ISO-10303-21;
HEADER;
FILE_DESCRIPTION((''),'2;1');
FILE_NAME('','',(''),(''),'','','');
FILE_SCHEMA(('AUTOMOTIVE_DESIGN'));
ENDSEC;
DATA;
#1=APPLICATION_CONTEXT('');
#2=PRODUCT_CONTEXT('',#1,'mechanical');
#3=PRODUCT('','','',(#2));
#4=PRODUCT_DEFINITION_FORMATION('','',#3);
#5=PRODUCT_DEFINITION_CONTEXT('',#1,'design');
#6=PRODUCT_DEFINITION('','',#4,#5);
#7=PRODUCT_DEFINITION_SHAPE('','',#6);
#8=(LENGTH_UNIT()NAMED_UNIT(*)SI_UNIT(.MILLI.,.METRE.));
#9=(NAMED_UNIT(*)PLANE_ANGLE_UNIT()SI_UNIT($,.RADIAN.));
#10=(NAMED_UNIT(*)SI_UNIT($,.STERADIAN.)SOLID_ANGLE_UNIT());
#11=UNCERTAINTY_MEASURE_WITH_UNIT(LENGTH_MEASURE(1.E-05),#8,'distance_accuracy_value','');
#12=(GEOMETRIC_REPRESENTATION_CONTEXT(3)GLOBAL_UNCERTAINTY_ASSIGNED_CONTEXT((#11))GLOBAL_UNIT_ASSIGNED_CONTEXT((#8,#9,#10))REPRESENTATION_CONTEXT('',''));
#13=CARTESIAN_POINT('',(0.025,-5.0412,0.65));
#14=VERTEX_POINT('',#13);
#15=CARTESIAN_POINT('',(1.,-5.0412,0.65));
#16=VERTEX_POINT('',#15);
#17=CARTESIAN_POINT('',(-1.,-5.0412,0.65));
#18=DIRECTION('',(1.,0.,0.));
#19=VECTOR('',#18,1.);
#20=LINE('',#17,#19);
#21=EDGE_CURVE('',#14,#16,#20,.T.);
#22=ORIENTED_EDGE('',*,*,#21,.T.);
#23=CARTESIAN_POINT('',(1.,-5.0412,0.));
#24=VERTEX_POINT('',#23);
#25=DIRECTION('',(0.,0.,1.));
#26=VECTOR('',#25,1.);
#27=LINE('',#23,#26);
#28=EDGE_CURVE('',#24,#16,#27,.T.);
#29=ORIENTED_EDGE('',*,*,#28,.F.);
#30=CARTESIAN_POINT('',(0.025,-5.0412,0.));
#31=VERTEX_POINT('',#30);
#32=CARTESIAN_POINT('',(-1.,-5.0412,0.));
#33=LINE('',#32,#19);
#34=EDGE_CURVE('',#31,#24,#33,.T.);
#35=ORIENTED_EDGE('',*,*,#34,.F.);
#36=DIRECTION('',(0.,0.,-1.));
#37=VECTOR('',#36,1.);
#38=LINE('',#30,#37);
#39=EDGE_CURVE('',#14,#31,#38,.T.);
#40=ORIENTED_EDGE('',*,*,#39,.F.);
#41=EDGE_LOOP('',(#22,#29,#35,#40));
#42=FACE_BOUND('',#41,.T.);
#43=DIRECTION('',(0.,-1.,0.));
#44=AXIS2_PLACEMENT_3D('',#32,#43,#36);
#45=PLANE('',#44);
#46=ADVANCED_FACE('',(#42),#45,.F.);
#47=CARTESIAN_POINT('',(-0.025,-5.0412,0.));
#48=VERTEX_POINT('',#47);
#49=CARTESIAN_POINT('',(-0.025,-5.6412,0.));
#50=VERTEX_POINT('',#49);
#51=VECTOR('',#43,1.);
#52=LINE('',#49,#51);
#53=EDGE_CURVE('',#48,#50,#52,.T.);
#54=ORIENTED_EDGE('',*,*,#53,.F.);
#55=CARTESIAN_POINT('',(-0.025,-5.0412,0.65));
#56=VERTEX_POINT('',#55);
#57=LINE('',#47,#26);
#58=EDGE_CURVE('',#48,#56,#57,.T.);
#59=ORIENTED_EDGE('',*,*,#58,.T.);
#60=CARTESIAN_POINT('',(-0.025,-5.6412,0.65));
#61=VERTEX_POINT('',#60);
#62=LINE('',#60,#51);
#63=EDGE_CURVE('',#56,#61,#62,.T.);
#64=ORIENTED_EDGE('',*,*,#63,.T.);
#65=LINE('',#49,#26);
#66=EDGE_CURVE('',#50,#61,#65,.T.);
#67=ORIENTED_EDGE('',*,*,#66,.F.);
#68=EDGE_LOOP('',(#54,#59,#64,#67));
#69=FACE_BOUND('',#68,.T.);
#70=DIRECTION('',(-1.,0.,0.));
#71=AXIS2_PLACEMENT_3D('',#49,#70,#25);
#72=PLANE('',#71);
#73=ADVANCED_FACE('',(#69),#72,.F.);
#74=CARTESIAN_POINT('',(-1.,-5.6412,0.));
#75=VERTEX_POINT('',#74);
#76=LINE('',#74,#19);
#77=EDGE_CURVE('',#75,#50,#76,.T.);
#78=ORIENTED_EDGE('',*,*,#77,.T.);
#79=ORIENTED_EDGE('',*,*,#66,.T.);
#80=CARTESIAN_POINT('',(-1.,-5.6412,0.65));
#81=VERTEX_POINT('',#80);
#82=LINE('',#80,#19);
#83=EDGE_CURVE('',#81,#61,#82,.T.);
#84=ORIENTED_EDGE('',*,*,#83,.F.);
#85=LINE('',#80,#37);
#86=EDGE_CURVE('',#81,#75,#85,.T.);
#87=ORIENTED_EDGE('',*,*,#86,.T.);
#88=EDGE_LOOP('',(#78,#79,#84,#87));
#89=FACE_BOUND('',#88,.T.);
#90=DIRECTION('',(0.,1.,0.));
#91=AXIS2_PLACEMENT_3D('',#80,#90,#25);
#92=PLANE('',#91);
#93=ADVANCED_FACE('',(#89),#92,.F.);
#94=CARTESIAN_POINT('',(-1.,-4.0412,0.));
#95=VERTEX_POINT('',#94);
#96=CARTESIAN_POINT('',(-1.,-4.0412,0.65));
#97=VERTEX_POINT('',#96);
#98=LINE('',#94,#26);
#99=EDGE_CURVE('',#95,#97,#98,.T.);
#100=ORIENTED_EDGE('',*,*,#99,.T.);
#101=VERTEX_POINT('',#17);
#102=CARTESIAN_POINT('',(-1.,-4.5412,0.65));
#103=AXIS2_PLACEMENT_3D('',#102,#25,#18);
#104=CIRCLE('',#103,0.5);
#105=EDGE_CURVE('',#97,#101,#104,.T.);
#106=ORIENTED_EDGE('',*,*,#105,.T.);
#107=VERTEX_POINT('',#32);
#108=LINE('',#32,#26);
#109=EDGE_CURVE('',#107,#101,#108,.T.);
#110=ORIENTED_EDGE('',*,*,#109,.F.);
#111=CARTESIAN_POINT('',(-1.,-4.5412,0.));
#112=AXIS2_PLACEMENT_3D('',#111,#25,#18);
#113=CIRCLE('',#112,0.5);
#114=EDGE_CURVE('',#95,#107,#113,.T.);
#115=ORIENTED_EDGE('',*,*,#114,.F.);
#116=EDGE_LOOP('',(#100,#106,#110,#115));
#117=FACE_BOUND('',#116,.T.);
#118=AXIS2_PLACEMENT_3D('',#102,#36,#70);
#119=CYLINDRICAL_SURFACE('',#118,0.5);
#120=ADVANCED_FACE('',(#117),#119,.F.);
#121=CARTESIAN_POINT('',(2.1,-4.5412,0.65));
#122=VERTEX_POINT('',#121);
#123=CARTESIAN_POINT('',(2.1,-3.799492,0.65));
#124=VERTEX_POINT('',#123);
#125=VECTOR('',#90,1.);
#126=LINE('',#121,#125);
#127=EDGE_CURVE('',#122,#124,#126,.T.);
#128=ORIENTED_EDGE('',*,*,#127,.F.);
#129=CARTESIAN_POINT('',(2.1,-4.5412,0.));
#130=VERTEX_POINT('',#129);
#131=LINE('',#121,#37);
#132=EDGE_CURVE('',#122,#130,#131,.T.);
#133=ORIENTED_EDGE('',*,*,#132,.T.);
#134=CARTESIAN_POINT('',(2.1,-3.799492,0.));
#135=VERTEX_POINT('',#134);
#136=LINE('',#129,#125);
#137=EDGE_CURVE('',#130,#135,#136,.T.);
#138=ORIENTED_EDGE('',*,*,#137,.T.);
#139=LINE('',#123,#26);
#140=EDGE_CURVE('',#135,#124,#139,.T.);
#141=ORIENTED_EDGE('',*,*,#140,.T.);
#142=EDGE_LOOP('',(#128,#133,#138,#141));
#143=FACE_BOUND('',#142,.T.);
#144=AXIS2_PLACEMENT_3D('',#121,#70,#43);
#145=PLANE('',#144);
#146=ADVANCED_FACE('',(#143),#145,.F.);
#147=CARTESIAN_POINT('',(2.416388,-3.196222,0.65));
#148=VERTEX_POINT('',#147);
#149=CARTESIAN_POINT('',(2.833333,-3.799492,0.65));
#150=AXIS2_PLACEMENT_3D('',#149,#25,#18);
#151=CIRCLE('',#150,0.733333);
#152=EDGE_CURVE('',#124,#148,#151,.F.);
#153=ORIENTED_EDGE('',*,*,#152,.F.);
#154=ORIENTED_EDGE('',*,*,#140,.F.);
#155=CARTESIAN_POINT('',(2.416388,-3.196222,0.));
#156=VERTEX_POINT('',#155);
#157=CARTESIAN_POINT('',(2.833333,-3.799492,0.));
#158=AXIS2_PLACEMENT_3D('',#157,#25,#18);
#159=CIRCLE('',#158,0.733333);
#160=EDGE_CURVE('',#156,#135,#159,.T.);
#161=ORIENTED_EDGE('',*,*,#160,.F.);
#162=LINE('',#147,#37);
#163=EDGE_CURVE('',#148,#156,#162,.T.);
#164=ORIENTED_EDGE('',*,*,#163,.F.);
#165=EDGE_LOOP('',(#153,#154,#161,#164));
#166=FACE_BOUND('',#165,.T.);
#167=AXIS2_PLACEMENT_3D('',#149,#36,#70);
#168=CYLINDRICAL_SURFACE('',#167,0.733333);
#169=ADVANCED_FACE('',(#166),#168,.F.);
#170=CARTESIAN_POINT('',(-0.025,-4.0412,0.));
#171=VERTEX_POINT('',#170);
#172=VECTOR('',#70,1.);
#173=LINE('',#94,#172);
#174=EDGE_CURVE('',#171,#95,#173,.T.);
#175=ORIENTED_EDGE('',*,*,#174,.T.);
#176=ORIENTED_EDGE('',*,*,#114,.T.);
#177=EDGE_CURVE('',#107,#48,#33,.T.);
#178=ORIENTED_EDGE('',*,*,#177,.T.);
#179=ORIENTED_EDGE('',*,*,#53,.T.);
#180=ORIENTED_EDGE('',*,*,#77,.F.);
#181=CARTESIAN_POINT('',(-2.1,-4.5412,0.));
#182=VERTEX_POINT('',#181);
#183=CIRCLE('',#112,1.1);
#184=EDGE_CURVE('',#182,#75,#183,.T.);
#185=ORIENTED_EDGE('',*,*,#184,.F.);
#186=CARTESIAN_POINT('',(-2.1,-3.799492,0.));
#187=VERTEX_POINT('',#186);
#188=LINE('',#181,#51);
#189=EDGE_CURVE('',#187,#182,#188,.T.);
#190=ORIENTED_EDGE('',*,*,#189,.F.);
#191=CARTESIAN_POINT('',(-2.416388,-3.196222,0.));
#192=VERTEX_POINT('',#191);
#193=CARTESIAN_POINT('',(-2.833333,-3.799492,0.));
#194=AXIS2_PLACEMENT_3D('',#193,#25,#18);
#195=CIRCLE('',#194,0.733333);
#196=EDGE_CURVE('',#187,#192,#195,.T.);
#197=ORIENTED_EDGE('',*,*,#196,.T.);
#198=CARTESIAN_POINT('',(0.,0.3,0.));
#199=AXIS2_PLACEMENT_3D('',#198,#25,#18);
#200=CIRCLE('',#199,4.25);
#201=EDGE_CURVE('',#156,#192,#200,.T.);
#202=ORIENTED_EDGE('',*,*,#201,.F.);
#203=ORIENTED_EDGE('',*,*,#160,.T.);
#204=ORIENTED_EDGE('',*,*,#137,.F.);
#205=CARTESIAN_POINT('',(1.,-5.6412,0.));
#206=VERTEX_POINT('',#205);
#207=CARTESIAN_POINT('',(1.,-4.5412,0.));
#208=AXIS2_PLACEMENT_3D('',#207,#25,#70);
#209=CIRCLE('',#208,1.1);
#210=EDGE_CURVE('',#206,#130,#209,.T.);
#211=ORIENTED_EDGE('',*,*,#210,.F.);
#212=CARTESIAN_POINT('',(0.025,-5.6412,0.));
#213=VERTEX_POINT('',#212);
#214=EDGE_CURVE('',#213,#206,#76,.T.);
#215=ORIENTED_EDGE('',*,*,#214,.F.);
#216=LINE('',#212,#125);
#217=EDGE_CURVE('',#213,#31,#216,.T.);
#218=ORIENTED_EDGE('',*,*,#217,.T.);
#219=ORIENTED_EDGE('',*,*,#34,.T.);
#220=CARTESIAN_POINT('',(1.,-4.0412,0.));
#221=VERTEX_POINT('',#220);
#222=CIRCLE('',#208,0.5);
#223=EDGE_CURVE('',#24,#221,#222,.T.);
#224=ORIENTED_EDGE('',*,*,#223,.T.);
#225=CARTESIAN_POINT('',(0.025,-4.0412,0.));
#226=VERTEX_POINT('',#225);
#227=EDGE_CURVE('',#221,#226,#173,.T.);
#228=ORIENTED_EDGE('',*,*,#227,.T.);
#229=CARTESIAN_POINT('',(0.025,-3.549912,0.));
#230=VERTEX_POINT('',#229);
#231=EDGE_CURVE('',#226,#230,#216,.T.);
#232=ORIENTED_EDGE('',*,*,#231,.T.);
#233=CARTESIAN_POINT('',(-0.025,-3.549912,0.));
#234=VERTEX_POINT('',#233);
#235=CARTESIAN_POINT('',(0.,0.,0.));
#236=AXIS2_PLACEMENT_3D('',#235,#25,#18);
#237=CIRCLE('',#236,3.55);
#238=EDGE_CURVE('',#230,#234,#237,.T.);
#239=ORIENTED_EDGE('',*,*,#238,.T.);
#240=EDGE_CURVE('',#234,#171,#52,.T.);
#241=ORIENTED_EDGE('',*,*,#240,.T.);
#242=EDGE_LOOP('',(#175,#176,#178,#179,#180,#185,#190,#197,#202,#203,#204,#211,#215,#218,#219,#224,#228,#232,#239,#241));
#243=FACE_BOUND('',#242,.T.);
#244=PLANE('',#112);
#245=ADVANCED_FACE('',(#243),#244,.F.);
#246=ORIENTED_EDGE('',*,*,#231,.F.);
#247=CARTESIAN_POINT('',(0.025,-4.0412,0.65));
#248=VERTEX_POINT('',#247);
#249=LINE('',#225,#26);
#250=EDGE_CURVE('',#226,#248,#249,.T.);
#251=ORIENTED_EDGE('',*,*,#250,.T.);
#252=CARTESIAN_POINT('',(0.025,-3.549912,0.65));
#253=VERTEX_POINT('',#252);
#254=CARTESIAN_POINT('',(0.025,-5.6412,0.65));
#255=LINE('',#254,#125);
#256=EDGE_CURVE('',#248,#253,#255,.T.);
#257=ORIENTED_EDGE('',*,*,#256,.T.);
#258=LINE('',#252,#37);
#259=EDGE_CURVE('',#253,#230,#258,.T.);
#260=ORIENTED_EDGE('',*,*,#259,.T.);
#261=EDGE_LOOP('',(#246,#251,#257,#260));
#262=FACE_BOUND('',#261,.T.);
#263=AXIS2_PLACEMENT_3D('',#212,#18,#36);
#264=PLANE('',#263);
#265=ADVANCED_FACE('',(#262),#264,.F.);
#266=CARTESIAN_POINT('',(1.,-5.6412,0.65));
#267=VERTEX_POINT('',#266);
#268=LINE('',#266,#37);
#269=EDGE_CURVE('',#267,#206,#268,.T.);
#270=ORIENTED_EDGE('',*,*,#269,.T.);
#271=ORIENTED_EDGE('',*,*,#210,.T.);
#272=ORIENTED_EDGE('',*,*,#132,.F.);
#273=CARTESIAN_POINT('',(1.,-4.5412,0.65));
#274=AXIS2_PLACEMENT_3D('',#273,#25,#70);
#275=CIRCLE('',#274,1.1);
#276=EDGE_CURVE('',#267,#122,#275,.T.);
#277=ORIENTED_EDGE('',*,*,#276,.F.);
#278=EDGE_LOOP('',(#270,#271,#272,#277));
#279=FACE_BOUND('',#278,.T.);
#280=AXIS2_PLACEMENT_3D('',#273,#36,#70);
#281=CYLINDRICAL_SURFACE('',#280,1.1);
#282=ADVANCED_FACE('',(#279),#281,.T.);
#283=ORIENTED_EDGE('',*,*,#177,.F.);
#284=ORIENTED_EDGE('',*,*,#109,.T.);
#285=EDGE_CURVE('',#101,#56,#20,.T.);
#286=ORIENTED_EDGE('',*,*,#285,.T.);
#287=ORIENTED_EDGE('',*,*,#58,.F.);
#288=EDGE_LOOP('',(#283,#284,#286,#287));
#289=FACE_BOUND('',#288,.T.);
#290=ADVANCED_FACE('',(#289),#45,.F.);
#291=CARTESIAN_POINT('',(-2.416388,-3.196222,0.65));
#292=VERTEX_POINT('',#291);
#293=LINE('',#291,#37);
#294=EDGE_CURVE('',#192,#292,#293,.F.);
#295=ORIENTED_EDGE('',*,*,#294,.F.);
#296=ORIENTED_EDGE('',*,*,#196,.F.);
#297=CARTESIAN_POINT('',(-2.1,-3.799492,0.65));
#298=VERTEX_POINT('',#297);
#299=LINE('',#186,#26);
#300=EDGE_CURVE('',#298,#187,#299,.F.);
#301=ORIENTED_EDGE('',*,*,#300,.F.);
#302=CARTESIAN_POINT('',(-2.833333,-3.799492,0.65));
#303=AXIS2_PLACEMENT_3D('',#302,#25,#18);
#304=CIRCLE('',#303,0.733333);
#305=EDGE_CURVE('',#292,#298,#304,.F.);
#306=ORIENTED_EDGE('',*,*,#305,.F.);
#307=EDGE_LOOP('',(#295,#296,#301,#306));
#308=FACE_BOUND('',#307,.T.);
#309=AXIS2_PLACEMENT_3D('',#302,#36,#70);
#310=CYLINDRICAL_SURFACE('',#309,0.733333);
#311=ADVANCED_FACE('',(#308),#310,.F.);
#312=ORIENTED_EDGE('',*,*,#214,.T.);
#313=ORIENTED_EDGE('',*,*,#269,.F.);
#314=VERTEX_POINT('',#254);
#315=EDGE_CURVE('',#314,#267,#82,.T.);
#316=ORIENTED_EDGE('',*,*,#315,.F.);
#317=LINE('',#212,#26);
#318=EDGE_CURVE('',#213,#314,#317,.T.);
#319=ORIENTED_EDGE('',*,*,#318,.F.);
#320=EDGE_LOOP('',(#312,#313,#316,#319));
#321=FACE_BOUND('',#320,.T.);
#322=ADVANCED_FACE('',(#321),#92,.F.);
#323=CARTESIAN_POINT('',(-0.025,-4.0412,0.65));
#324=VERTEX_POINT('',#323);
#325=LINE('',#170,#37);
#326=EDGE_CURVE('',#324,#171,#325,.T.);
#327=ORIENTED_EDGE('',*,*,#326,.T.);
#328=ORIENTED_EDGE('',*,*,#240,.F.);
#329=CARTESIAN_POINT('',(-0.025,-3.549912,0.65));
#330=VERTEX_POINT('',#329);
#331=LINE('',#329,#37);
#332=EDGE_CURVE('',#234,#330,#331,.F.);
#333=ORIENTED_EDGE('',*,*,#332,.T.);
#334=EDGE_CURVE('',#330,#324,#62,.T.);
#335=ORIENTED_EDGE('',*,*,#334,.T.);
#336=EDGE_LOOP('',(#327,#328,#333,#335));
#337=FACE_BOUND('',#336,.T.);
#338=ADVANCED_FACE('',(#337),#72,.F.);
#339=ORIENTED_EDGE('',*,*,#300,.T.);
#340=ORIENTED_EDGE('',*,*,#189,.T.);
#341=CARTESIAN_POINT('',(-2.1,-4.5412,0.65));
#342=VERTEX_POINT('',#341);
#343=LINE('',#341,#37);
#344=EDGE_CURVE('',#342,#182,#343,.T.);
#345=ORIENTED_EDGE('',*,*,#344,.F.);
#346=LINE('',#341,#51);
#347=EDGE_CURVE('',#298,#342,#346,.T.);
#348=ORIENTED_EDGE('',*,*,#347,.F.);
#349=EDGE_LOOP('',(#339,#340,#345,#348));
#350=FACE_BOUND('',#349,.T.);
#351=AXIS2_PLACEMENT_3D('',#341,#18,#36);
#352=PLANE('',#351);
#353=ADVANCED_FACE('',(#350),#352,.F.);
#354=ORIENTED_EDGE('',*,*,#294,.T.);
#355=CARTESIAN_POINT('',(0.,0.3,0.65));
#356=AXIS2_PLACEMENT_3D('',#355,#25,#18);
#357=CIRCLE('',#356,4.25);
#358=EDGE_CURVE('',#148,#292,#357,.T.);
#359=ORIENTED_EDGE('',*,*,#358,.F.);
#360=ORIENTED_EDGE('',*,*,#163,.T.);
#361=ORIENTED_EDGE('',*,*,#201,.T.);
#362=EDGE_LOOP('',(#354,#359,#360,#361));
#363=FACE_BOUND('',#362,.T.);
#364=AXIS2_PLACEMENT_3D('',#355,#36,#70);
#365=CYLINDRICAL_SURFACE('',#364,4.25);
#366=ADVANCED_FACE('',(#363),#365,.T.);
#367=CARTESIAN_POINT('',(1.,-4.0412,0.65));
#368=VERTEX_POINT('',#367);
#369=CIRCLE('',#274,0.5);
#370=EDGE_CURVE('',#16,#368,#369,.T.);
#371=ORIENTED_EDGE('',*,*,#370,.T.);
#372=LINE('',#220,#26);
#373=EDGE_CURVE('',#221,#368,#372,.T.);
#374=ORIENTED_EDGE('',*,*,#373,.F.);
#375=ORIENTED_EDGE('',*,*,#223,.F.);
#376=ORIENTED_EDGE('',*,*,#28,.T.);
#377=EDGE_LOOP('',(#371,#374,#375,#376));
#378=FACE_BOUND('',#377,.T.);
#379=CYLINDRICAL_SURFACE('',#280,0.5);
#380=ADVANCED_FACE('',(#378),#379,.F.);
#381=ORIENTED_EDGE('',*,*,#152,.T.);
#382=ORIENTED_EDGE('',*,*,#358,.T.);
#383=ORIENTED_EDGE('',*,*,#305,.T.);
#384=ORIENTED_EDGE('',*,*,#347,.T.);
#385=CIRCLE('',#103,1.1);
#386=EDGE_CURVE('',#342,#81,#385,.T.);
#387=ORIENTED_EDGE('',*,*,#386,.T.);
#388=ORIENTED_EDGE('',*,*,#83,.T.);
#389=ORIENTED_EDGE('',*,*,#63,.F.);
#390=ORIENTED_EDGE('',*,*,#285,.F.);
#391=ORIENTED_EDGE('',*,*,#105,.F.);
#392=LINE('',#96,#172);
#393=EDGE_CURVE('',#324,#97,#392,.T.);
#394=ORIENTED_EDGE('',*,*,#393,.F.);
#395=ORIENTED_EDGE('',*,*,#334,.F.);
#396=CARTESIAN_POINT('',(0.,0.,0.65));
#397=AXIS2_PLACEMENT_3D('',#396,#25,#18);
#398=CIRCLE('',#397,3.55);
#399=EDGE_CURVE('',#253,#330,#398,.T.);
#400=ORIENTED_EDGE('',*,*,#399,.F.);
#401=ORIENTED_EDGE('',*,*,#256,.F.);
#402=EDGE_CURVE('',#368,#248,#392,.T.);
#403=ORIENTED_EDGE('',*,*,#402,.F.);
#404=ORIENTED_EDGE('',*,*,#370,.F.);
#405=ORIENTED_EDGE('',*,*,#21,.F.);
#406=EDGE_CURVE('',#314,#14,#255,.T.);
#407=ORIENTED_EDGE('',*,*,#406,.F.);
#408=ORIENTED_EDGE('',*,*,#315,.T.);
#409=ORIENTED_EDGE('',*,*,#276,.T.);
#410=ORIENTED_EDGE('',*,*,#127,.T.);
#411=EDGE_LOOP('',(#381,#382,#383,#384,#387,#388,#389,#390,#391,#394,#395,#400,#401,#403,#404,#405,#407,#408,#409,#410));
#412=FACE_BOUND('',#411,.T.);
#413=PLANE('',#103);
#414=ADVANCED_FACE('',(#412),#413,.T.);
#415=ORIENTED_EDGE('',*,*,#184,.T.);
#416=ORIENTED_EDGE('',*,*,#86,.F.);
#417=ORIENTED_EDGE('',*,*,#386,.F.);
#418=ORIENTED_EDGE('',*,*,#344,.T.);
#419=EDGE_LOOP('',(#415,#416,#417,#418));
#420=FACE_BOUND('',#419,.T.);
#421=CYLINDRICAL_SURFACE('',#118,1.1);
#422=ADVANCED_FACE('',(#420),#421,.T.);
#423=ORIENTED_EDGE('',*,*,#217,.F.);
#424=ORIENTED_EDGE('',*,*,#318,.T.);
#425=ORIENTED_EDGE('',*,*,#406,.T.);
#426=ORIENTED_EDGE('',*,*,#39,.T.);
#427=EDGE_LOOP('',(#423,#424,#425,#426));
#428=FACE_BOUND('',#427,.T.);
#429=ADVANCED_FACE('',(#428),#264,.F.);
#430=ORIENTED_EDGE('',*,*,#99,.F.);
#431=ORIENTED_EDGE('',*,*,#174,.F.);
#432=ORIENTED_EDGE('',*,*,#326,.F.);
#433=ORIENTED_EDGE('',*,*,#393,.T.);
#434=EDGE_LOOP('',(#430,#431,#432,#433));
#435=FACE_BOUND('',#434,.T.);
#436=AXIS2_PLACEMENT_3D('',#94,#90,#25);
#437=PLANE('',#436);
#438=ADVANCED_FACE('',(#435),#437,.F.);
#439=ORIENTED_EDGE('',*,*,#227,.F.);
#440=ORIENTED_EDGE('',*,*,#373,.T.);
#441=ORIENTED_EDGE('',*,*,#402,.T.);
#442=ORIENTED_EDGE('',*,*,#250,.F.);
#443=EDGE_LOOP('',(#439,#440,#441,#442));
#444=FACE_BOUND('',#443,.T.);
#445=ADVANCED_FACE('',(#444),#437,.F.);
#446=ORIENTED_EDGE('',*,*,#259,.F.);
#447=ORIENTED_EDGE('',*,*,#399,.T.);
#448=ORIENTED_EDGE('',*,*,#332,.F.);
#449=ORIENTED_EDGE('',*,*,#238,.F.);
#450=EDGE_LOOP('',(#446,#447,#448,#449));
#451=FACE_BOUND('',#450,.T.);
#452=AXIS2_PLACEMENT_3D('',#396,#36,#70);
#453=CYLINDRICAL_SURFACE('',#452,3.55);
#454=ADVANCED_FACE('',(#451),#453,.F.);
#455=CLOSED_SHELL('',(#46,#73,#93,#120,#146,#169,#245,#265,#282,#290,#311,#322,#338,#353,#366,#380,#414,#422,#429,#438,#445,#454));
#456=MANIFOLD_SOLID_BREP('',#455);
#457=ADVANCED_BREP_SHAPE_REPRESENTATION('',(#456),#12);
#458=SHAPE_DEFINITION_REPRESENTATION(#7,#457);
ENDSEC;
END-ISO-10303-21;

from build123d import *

# Parameters (mm, degrees)
SKETCH_1_R          = 3.55
SKETCH_1_R_2        = 0.5
EXTRUDE_1_DEPTH     = 0.65
SKETCH_2_W          = 0.05
SKETCH_2_H          = 5.641200282
CUT_EXTRUDE_1_DEPTH = 8.092823177
FILLET_1_R          = 0.733333333
CUT_EXTRUDE_2_DEPTH = 8.092823177


with BuildPart() as part:
    # 草图1 → 凸台-拉伸1 (new body)
    with BuildSketch(Plane.XY):
        with BuildLine():
            Line((-1, -5.641200282), (1, -5.641200282))
            ThreePointArc((1, -5.641200282), (1.777817459, -5.319017741), (2.1, -4.541200282))
            Line((2.1, -4.541200282), (2.1, -3.394928957))
            ThreePointArc((2.1, -3.394928957), (0, 4.55), (-2.1, -3.394928957))
            Line((-2.1, -3.394928957), (-2.1, -4.541200282))
            ThreePointArc((-2.1, -4.541200282), (-1.777817459, -5.319017741), (-1, -5.641200282))
        make_face()
        Circle(SKETCH_1_R, mode=Mode.SUBTRACT)
        with Locations((-1, -4.541200282)):
            Circle(SKETCH_1_R_2, mode=Mode.SUBTRACT)
        with Locations(Location((1, -4.541200282, 0), (0, 0, 180))):
            Circle(SKETCH_1_R_2, mode=Mode.SUBTRACT)
    extrude(amount=EXTRUDE_1_DEPTH)

    # 草图2 → 切除-拉伸1 (cut, through all)
    with BuildSketch(Plane.XY.offset(0.65)):
        with Locations((0, -2.820600141)):
            Rectangle(SKETCH_2_W, SKETCH_2_H)
    extrude(amount=-CUT_EXTRUDE_1_DEPTH, mode=Mode.SUBTRACT)

    # 圆角1
    fillet_1_edges = [part.edges().sort_by_distance(p)[0] for p in [
        (-2.1, -3.394928957, 0.325),
        (2.1, -3.394928957, 0.325),
    ]]
    fillet(fillet_1_edges, radius=FILLET_1_R)

    # 草图3 → 切除-拉伸2 (cut, through all)
    with BuildSketch(Plane.XY.offset(0.65)):
        with BuildLine():
            Line((-1, -4.041200282), (1, -4.041200282))
            ThreePointArc((1, -4.041200282), (1.5, -4.541200282), (1, -5.041200282))
            Line((1, -5.041200282), (-1, -5.041200282))
            ThreePointArc((-1, -5.041200282), (-1.5, -4.541200282), (-1, -4.041200282))
        make_face()
    extrude(amount=-CUT_EXTRUDE_2_DEPTH, mode=Mode.SUBTRACT)


solid = part.part
